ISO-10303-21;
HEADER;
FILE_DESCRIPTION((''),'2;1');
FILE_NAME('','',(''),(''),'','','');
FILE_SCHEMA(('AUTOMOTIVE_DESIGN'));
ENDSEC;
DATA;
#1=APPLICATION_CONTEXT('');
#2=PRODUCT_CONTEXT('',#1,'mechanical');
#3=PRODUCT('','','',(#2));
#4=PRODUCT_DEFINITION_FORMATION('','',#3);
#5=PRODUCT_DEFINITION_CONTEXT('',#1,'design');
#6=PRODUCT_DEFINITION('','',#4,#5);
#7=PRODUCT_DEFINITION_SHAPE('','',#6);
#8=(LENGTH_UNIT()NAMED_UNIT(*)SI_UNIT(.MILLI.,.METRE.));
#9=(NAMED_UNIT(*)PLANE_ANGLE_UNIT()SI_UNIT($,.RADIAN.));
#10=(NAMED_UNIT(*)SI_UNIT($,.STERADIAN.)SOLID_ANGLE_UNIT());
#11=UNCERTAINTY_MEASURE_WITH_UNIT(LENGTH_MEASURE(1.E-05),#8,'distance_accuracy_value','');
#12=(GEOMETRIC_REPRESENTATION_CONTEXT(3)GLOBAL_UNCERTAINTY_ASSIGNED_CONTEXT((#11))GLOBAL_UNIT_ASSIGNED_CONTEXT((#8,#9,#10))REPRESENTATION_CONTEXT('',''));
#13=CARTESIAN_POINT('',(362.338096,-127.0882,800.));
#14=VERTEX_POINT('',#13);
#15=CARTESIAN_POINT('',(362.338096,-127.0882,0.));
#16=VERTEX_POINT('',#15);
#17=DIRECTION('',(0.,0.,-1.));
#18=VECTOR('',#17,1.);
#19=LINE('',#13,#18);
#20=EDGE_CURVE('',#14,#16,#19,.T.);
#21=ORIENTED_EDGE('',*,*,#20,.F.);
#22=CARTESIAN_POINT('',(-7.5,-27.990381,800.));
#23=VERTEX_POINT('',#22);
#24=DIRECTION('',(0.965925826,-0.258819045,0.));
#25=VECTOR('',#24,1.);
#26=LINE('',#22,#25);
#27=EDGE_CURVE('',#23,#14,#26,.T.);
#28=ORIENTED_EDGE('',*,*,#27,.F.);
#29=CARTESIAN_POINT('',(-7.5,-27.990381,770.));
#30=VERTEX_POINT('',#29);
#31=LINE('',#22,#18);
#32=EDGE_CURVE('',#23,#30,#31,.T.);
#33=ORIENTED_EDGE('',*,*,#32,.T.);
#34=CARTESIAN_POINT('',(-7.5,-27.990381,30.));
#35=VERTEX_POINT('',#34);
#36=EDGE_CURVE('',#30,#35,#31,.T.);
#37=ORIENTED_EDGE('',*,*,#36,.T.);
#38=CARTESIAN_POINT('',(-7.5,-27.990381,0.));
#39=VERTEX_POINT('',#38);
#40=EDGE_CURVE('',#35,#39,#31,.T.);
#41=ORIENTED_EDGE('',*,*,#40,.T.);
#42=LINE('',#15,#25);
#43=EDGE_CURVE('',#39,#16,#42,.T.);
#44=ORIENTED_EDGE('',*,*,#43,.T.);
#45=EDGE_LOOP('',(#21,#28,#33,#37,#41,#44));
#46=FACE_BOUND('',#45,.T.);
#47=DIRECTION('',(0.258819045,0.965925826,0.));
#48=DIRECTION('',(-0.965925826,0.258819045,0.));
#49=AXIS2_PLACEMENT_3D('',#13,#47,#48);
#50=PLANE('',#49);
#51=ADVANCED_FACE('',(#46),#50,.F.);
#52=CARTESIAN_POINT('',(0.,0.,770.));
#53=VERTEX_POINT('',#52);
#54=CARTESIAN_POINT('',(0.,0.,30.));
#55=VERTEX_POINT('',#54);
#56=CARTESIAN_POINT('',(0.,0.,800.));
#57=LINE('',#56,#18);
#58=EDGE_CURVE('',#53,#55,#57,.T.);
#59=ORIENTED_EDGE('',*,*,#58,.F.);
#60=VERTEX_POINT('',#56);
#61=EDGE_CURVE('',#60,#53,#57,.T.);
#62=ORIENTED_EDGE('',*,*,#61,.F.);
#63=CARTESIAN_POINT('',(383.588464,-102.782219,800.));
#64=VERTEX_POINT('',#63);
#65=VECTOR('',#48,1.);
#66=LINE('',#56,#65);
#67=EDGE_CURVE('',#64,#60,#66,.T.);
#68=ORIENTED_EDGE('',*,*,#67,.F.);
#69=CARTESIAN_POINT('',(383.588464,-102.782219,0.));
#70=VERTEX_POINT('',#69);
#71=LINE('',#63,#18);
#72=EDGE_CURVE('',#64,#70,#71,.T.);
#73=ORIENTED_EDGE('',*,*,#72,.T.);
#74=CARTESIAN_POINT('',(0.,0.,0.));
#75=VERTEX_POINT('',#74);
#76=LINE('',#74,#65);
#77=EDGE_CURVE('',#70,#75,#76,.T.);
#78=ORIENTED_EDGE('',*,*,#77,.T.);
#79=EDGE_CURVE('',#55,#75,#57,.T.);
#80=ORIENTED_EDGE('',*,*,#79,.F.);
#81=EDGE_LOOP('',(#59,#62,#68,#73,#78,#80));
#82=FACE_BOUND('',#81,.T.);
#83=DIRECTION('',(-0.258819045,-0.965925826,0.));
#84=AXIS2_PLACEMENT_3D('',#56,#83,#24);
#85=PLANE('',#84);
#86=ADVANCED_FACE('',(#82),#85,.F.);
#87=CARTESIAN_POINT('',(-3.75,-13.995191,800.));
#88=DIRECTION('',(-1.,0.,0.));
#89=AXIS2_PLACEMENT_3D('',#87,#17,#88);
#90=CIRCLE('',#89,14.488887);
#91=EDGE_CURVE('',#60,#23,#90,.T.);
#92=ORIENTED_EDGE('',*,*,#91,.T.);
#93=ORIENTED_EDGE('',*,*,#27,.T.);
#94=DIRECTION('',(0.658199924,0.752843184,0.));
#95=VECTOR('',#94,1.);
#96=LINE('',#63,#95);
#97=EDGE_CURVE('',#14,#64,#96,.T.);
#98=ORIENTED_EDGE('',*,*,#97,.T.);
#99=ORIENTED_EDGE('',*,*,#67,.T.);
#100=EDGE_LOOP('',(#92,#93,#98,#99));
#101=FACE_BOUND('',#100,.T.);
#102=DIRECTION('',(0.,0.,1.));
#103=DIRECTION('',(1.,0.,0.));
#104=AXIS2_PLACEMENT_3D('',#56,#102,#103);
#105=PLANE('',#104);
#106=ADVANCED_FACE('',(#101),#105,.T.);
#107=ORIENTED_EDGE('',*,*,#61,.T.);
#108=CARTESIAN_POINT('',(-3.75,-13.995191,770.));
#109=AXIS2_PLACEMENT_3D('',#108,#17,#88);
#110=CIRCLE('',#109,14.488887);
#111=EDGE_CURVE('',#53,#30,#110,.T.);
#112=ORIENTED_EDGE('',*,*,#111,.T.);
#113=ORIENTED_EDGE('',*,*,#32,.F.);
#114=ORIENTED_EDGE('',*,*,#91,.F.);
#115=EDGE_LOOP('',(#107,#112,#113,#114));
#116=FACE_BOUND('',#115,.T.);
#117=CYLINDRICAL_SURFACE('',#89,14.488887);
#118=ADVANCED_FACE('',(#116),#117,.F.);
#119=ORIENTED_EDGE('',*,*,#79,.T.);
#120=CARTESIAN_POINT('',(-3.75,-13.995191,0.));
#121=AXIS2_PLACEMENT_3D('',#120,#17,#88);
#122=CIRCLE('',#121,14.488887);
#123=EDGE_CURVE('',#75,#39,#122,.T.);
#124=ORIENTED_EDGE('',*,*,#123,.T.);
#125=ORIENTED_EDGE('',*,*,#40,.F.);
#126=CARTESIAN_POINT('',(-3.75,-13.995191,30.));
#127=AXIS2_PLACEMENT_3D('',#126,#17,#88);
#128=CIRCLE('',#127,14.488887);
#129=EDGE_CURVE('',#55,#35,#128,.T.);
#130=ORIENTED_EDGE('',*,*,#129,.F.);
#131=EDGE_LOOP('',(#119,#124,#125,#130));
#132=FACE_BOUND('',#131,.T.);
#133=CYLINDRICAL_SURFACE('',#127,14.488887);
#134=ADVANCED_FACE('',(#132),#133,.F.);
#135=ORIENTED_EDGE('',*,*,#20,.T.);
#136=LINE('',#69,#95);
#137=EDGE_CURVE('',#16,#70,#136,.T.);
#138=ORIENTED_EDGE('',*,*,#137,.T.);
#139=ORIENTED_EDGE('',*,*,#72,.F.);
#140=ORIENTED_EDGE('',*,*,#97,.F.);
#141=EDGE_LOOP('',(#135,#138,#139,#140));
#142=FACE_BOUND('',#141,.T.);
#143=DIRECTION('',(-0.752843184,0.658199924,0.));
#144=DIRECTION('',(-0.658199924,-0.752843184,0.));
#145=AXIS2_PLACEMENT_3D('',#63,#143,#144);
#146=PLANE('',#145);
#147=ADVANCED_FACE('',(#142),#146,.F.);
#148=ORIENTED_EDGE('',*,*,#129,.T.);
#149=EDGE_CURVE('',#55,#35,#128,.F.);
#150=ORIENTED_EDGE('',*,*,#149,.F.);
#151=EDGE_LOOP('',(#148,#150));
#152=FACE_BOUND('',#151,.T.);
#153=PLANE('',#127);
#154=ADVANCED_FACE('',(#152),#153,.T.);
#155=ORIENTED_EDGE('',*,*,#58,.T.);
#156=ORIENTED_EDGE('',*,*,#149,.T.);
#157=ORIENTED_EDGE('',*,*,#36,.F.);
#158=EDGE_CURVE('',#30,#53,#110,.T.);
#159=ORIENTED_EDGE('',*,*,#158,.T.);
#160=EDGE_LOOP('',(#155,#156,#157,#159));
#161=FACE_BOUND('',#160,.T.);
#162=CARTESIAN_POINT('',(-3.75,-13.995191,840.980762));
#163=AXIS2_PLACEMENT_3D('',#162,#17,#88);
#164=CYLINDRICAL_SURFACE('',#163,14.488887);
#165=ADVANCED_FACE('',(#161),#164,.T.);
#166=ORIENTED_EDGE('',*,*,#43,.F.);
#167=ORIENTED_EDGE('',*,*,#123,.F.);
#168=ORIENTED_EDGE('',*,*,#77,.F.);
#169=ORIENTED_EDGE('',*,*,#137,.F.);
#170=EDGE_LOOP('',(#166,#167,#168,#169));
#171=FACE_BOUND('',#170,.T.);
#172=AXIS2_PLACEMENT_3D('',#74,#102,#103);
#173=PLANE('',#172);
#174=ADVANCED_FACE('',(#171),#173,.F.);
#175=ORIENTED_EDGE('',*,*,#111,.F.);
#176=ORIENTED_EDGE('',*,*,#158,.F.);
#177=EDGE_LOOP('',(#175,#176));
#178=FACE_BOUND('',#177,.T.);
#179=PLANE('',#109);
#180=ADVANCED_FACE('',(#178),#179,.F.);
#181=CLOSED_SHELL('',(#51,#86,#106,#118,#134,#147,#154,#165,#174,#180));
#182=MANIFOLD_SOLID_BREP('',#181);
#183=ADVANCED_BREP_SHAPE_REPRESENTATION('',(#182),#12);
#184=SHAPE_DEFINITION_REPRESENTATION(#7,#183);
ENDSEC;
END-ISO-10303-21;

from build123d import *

# Parameters (mm, degrees)
AUFSATZ_LINEAR_AUSTRAGEN1_DEPTH = 800
SKIZZE3_R                       = 14.488887394
AUFSATZ_LINEAR_AUSTRAGEN2_DEPTH = 800
SKIZZE5_R                       = 14.488887394
SCHNITT_LINEAR_AUSTRAGEN1_DEPTH = 30
LINEARES_MUSTER1_COUNT          = 2
LINEARES_MUSTER1_PITCH          = 770


with BuildPart() as part:
    # Skizze1 → Aufsatz-Linear austragen1 (new body)
    with BuildSketch(Plane.XY):
        Polygon((0, 0), (383.588464136, -102.782219191), (362.338095958, -127.088200199), (0, -30), (-7.5, -27.990381057), align=None)
    extrude(amount=AUFSATZ_LINEAR_AUSTRAGEN1_DEPTH)

    # Skizze3 → Aufsatz-Linear austragen2 (add)
    with BuildSketch(Plane(origin=(0, 0, 0), x_dir=(-1, 0, 0), z_dir=(0, 0, -1))):
        with Locations((3.75, -13.995190528)):
            Circle(SKIZZE3_R)
    extrude(amount=-AUFSATZ_LINEAR_AUSTRAGEN2_DEPTH)

    # Skizze5 → Schnitt-Linear austragen1 (cut)
    with BuildSketch(Plane(origin=(0, 0, 0), x_dir=(-1, 0, 0), z_dir=(0, 0, -1))):
        with Locations((3.75, -13.995190528)):
            Circle(SKIZZE5_R)
    schnitt_linear_austragen1 = extrude(amount=-SCHNITT_LINEAR_AUSTRAGEN1_DEPTH, mode=Mode.SUBTRACT)

    # Lineares Muster1: Schnitt-Linear austragen1 ×2
    with Locations(*[(0, 0, i * LINEARES_MUSTER1_PITCH) for i in range(1, LINEARES_MUSTER1_COUNT)]):
        add(schnitt_linear_austragen1, mode=Mode.SUBTRACT)


solid = part.part
